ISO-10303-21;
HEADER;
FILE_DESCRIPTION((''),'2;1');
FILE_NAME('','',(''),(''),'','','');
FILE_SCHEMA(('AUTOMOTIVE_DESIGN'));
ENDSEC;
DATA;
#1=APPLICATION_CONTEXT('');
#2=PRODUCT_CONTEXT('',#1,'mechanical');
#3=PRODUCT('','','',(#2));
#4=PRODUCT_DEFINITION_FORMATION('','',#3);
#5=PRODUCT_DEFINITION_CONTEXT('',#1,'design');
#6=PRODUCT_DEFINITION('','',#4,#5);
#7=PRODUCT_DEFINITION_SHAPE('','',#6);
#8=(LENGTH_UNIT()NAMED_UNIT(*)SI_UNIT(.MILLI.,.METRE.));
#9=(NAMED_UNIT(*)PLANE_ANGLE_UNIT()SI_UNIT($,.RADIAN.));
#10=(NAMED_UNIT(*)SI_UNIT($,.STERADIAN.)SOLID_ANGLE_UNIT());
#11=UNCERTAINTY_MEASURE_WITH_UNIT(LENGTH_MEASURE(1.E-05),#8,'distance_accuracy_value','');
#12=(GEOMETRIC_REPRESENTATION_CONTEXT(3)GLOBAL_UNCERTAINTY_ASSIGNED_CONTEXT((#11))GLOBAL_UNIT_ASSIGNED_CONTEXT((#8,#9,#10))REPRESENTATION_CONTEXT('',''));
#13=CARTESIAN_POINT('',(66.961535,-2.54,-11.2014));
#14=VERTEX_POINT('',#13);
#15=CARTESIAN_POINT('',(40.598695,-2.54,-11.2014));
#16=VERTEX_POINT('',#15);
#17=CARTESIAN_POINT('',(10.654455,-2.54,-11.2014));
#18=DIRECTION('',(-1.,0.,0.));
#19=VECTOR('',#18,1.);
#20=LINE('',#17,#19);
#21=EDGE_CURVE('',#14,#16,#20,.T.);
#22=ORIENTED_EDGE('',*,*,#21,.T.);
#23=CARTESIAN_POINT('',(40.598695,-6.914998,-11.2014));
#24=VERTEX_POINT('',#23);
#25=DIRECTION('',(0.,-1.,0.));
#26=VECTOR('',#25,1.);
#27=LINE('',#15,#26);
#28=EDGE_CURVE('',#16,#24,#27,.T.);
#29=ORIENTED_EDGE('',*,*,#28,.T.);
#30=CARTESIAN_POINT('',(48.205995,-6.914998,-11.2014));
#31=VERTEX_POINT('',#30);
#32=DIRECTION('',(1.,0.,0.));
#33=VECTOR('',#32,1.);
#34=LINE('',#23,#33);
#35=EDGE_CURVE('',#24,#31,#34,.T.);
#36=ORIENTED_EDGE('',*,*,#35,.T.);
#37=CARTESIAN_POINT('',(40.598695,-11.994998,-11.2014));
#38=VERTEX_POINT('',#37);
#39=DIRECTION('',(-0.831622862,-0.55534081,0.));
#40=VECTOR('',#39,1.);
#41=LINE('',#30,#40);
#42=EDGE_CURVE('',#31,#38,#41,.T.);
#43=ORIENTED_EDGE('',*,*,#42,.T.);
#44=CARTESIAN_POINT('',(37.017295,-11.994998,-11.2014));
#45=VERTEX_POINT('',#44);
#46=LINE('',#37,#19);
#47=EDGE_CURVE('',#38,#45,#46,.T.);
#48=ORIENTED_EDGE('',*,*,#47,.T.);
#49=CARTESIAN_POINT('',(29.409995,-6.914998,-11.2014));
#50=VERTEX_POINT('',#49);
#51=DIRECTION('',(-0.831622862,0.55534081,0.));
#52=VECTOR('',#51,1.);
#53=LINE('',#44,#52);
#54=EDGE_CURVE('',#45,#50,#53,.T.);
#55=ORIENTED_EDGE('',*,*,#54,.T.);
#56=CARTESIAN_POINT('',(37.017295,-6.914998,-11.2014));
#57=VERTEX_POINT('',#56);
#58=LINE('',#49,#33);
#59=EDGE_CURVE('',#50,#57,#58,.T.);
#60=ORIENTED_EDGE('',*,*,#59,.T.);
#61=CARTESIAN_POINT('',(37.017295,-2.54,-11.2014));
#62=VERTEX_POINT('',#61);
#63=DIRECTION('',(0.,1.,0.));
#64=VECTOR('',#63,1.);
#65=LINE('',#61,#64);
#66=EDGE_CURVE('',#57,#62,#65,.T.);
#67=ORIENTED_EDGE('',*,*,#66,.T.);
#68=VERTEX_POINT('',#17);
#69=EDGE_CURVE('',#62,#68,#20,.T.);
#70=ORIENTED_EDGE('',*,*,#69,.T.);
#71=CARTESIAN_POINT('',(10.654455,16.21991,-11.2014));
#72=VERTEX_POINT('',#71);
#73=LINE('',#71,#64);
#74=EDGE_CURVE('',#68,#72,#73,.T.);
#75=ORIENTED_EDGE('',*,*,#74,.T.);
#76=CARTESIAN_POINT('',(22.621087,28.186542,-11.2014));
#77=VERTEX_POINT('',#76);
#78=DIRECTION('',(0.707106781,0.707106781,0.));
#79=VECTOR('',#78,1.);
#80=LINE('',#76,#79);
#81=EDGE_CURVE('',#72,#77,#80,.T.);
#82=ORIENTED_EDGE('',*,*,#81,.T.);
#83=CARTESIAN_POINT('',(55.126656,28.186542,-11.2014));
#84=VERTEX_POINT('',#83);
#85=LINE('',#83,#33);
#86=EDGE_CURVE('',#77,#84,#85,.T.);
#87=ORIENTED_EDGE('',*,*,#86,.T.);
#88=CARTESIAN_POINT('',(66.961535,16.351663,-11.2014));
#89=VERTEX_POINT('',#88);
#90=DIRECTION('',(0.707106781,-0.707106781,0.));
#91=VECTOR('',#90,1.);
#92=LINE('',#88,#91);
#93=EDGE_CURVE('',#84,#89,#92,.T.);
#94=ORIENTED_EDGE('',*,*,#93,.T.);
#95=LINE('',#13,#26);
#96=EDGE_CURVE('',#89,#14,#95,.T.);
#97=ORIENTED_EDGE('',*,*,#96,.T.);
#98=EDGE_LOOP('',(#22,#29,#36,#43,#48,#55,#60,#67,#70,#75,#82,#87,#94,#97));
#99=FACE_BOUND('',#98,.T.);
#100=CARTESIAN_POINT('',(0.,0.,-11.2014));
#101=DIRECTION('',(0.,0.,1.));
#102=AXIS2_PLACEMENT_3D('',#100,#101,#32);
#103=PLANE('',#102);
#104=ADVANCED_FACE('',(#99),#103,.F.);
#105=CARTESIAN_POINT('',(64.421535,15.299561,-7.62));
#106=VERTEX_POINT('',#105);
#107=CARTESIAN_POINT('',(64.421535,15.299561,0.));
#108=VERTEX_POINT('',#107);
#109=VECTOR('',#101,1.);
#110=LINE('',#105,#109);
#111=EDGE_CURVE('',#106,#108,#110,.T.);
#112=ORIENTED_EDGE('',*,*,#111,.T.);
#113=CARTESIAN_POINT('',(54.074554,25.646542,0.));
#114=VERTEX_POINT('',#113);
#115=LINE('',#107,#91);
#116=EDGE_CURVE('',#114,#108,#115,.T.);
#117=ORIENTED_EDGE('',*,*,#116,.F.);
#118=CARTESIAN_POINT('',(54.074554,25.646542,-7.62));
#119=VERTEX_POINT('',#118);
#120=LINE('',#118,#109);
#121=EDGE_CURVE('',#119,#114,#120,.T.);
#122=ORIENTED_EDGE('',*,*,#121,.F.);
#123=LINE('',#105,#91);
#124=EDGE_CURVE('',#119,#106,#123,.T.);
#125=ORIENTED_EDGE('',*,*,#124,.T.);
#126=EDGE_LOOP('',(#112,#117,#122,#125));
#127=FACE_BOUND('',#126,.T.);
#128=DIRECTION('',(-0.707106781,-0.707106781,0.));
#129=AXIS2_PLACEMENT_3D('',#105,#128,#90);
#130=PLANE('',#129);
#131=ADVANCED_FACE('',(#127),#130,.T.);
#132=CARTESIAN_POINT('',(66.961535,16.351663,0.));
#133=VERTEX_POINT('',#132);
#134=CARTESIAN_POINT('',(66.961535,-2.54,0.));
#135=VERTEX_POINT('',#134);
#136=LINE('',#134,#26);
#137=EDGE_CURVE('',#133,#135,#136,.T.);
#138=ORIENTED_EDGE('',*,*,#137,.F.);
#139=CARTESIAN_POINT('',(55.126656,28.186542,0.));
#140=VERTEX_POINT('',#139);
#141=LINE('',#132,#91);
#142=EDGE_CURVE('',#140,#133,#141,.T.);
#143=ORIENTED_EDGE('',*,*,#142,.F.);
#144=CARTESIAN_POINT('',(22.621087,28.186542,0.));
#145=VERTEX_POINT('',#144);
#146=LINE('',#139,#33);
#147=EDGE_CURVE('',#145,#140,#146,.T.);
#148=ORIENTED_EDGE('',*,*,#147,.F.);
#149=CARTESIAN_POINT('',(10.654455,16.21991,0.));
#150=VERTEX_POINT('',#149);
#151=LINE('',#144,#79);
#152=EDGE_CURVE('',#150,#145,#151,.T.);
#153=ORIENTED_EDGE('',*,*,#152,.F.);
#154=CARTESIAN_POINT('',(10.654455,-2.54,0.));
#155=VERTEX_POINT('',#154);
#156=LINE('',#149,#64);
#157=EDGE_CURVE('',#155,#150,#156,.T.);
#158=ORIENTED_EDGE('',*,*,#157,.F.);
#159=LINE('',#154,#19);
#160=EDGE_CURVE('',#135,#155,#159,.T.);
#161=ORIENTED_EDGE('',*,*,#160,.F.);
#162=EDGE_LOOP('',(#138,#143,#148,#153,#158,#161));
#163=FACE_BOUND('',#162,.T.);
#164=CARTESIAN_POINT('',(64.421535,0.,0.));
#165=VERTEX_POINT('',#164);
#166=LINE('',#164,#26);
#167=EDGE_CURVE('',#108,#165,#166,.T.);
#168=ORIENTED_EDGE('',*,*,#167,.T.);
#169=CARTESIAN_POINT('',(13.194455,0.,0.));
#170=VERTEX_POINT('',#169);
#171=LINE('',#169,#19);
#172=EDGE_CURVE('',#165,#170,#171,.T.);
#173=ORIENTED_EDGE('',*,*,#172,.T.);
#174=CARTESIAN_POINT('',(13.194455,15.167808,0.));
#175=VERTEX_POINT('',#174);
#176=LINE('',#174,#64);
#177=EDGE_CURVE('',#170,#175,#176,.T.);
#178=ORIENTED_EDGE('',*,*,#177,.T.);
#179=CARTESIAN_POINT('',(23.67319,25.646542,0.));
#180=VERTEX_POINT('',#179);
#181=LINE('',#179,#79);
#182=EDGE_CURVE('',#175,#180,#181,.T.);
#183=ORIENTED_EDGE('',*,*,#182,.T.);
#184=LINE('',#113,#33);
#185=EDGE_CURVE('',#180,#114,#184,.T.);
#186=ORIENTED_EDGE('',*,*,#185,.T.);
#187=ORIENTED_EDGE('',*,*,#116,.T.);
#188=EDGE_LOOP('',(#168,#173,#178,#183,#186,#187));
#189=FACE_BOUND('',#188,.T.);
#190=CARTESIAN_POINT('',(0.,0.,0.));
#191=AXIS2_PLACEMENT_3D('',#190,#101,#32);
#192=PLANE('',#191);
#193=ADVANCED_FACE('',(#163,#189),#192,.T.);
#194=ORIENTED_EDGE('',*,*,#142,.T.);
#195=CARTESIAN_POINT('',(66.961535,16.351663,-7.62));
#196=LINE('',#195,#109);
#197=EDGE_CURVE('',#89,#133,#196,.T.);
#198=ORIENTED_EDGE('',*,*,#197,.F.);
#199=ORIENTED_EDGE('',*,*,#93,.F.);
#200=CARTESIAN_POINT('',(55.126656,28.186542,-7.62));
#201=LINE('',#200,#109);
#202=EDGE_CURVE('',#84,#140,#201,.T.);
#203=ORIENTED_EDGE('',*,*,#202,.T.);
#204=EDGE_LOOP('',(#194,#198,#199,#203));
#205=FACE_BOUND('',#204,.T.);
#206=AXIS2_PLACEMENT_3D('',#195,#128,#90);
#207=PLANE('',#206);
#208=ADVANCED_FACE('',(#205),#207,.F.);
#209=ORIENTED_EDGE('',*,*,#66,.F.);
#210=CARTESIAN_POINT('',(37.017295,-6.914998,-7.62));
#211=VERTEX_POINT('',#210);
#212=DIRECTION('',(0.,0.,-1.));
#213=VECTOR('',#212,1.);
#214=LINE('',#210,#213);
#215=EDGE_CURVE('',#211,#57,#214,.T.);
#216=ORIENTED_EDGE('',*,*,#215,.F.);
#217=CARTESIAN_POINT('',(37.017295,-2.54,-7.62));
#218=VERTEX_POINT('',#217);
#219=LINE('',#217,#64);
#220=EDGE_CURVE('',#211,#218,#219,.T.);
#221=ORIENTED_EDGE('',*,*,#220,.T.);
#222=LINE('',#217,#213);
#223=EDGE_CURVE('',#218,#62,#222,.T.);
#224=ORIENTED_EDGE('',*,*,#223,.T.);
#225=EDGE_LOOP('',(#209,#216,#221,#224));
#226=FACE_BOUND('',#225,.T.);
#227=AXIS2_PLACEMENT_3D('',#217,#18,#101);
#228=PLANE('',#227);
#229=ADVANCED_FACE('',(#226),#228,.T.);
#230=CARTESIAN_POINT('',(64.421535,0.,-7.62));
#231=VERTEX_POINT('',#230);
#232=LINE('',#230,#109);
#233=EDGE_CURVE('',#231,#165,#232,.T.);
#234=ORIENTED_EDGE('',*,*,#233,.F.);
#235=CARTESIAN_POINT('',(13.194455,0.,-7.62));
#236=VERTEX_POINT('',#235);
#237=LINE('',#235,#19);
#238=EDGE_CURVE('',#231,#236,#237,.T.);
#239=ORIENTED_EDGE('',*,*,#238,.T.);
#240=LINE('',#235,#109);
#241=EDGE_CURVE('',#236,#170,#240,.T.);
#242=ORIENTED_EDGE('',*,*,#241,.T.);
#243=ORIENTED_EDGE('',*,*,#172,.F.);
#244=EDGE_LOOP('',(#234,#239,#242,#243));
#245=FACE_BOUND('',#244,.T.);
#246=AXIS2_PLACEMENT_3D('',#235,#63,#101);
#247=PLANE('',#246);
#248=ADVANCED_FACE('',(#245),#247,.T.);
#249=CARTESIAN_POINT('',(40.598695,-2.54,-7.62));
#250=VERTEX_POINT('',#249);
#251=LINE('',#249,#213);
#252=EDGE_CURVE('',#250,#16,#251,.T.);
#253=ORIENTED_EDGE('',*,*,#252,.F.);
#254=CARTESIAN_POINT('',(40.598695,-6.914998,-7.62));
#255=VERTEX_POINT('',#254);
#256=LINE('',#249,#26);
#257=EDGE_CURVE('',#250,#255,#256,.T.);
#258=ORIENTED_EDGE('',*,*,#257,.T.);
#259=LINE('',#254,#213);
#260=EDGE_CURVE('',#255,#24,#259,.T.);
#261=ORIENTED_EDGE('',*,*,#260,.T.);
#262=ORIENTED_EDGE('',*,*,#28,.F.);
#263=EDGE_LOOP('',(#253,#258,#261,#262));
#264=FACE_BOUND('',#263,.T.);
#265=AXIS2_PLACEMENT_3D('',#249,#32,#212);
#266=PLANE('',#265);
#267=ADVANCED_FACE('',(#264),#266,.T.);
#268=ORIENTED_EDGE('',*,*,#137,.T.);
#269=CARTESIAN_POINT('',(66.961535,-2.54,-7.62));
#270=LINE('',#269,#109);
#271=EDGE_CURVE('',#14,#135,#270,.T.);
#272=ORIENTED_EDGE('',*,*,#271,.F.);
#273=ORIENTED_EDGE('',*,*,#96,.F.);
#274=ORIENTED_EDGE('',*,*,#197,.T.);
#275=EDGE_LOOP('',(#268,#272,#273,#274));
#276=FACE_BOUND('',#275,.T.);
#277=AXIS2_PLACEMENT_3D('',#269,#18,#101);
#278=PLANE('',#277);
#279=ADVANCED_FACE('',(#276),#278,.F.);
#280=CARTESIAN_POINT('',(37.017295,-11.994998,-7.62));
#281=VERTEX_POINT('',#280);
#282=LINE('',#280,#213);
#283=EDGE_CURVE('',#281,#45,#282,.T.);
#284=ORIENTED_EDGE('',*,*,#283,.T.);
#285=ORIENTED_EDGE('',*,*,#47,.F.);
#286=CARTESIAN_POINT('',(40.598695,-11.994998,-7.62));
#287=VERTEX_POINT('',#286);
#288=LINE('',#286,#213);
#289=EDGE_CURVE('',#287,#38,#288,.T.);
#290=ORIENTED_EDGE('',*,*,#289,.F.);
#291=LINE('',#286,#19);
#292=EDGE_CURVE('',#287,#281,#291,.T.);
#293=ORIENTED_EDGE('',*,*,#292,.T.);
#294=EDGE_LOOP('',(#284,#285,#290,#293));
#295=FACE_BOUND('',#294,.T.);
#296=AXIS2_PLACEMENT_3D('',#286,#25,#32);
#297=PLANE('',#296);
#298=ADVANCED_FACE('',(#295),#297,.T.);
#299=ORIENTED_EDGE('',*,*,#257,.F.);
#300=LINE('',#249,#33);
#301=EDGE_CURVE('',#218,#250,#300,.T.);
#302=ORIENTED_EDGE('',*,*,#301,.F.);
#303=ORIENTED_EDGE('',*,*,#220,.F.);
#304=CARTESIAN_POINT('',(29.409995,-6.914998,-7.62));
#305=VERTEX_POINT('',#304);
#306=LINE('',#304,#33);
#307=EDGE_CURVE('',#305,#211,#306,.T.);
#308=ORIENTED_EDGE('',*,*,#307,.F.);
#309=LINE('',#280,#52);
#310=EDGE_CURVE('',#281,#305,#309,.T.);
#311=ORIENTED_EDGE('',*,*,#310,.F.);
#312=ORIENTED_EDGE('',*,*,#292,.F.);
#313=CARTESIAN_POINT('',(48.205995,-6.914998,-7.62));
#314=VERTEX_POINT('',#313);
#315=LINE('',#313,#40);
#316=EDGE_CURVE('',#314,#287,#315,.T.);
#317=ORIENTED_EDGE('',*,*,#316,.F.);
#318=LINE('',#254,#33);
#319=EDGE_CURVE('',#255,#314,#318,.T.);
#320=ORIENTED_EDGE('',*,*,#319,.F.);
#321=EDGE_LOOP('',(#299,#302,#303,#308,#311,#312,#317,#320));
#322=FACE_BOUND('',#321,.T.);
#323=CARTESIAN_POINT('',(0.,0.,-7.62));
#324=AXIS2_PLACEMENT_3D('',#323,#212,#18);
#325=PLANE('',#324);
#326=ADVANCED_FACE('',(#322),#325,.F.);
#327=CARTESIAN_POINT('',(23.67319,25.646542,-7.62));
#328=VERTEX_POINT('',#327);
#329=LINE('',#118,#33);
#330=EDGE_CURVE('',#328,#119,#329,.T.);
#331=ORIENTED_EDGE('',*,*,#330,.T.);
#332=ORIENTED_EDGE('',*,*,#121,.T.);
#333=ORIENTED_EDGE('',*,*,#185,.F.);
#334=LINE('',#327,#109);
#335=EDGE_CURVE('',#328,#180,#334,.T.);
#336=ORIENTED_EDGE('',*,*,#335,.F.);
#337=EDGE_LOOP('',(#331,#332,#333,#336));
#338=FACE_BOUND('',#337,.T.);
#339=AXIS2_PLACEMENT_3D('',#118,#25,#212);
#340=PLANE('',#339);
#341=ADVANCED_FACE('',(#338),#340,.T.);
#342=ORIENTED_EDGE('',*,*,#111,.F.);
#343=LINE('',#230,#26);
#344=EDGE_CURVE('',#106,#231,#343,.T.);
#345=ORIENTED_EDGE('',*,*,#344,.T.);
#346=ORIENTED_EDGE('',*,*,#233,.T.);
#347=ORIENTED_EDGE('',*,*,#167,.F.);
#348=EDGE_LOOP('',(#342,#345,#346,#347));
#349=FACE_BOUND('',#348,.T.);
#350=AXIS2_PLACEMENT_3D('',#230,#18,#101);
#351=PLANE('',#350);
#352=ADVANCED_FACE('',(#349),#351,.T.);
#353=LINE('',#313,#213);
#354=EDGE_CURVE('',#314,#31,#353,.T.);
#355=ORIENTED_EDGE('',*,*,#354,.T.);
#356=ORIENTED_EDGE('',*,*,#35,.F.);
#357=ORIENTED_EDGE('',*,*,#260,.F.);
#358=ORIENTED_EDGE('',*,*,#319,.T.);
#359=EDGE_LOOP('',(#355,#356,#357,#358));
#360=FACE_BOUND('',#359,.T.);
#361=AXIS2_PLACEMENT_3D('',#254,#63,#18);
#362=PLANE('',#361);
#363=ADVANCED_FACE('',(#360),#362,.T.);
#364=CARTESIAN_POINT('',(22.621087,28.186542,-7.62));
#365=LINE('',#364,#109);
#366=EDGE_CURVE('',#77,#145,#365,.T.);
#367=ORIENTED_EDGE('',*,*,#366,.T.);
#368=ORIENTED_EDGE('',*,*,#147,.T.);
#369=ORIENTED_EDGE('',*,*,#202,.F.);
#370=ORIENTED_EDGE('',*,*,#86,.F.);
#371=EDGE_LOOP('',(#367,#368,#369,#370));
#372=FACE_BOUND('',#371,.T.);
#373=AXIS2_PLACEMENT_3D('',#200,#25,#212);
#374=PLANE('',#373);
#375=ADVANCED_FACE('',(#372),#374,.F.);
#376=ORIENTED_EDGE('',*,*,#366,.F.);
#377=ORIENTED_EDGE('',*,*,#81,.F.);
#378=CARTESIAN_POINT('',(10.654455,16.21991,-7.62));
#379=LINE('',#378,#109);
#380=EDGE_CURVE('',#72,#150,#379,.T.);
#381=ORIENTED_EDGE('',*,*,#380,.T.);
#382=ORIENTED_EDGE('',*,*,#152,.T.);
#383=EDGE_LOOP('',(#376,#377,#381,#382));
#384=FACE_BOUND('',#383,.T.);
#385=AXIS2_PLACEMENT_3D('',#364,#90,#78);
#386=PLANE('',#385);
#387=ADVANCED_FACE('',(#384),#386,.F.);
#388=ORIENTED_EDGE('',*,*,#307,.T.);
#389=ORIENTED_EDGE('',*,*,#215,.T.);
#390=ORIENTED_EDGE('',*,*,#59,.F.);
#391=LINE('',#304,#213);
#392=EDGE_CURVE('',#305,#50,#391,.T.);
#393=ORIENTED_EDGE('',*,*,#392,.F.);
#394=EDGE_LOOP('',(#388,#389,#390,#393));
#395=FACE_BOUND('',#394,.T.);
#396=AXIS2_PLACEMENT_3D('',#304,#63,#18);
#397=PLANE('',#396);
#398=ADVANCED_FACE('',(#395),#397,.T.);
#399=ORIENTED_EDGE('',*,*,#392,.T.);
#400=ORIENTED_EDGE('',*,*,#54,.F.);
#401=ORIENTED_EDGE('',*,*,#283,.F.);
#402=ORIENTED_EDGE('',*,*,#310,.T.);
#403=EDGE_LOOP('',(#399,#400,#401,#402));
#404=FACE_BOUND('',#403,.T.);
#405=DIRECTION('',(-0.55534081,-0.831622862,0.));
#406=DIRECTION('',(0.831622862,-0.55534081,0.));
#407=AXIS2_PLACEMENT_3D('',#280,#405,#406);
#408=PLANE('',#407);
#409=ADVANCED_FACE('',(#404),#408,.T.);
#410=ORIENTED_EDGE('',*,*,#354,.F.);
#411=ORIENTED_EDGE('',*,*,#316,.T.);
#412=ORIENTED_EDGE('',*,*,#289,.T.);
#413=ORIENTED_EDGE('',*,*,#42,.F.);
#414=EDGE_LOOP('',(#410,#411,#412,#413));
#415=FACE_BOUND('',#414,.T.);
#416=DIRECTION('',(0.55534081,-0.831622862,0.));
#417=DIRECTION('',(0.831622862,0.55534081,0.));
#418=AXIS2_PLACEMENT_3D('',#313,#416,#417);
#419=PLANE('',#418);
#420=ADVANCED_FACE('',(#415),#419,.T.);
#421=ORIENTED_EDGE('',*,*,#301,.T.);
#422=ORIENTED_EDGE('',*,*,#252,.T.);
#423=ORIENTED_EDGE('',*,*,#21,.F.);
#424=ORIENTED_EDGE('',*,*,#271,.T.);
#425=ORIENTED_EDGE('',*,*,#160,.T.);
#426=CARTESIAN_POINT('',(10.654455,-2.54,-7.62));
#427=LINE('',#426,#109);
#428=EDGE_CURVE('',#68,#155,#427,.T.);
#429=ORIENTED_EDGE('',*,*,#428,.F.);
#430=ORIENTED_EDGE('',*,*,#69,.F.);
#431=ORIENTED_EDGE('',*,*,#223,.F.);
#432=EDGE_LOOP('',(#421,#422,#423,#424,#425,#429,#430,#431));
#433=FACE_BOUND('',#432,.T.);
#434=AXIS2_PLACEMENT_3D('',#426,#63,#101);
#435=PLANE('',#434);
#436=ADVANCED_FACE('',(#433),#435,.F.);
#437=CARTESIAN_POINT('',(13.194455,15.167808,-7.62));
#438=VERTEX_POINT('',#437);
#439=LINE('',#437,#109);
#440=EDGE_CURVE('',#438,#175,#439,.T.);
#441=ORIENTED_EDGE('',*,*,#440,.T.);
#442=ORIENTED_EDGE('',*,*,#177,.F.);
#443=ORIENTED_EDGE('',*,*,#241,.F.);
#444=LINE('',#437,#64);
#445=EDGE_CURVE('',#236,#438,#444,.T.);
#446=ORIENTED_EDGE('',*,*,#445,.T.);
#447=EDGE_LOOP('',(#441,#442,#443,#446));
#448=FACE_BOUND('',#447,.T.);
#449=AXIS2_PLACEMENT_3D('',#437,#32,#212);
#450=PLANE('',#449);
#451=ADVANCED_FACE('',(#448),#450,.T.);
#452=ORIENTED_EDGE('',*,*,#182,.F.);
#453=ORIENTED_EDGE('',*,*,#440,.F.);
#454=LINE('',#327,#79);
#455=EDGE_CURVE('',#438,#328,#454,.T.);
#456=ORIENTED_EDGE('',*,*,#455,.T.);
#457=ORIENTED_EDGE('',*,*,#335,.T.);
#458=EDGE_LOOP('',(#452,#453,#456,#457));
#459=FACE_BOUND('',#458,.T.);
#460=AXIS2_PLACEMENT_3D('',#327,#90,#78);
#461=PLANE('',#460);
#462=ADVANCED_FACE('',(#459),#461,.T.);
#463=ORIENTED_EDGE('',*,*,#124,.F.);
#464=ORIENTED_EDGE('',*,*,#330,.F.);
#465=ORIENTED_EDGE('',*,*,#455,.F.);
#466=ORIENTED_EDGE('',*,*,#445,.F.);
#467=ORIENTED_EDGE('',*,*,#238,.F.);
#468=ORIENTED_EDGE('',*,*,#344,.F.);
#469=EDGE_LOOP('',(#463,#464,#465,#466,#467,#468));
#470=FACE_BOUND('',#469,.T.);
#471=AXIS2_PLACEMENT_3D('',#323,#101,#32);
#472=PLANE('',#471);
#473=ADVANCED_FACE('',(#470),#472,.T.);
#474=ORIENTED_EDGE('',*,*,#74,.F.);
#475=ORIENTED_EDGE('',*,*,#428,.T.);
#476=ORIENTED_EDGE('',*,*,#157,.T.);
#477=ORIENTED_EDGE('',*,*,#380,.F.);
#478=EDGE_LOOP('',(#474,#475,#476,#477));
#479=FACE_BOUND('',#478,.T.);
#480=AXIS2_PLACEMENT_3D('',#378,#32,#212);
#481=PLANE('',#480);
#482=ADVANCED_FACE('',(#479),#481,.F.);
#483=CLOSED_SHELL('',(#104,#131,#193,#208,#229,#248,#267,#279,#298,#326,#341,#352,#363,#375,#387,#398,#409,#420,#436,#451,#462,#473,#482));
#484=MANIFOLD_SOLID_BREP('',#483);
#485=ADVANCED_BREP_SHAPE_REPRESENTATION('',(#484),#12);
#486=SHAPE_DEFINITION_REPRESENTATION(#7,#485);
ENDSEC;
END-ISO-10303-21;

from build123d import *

# Parameters (mm, degrees)
BOSS_EXTRUDE4_DEPTH = 7.62
BOSS_EXTRUDE5_DEPTH = 3.5814
BOSS_EXTRUDE6_DEPTH = 3.5814


with BuildPart() as part:
    # Sketch17 → Boss-Extrude4 (new body)
    with BuildSketch(Plane(origin=(57.616701934, 0, 0), x_dir=(-1, 0, 0), z_dir=(0, 0, -1))):
        Polygon((-9.344833285, -2.54), (-9.344833285, 16.351663206), (2.490045751, 28.186542241), (34.995614796, 28.186542241), (46.962246821, 16.219910216), (46.962246821, -2.54), align=None)
        Polygon((-6.804833285, 0), (-6.804833285, 15.299560757), (3.542148199, 25.646542241), (33.943512348, 25.646542241), (44.422246821, 15.167807768), (44.422246821, 0), align=None, mode=Mode.SUBTRACT)
    extrude(amount=BOSS_EXTRUDE4_DEPTH)

    # Sketch20 → Boss-Extrude5 (add)
    with BuildSketch(Plane(origin=(0, 0, -7.62), x_dir=(-1, 0, 0), z_dir=(0, 0, -1))):
        Polygon((-66.961535219, -2.54), (-66.961535219, 16.351663206), (-55.126656184, 28.186542241), (-22.621087138, 28.186542241), (-10.654455113, 16.219910216), (-10.654455113, -2.54), align=None)
    extrude(amount=BOSS_EXTRUDE5_DEPTH)

    # Sketch21 → Boss-Extrude6 (add)
    with BuildSketch(Plane(origin=(0, 0, -11.2014), x_dir=(-1, 0, 0), z_dir=(0, 0, -1))):
        Polygon((-40.598695166, -6.9149976), (-48.205995166, -6.9149976), (-40.598695166, -11.9949976), (-37.017295166, -11.9949976), (-29.409995166, -6.9149976), (-37.017295166, -6.9149976), (-37.017295166, -2.54), (-40.598695166, -2.54), align=None)
    extrude(amount=-BOSS_EXTRUDE6_DEPTH)


solid = part.part
